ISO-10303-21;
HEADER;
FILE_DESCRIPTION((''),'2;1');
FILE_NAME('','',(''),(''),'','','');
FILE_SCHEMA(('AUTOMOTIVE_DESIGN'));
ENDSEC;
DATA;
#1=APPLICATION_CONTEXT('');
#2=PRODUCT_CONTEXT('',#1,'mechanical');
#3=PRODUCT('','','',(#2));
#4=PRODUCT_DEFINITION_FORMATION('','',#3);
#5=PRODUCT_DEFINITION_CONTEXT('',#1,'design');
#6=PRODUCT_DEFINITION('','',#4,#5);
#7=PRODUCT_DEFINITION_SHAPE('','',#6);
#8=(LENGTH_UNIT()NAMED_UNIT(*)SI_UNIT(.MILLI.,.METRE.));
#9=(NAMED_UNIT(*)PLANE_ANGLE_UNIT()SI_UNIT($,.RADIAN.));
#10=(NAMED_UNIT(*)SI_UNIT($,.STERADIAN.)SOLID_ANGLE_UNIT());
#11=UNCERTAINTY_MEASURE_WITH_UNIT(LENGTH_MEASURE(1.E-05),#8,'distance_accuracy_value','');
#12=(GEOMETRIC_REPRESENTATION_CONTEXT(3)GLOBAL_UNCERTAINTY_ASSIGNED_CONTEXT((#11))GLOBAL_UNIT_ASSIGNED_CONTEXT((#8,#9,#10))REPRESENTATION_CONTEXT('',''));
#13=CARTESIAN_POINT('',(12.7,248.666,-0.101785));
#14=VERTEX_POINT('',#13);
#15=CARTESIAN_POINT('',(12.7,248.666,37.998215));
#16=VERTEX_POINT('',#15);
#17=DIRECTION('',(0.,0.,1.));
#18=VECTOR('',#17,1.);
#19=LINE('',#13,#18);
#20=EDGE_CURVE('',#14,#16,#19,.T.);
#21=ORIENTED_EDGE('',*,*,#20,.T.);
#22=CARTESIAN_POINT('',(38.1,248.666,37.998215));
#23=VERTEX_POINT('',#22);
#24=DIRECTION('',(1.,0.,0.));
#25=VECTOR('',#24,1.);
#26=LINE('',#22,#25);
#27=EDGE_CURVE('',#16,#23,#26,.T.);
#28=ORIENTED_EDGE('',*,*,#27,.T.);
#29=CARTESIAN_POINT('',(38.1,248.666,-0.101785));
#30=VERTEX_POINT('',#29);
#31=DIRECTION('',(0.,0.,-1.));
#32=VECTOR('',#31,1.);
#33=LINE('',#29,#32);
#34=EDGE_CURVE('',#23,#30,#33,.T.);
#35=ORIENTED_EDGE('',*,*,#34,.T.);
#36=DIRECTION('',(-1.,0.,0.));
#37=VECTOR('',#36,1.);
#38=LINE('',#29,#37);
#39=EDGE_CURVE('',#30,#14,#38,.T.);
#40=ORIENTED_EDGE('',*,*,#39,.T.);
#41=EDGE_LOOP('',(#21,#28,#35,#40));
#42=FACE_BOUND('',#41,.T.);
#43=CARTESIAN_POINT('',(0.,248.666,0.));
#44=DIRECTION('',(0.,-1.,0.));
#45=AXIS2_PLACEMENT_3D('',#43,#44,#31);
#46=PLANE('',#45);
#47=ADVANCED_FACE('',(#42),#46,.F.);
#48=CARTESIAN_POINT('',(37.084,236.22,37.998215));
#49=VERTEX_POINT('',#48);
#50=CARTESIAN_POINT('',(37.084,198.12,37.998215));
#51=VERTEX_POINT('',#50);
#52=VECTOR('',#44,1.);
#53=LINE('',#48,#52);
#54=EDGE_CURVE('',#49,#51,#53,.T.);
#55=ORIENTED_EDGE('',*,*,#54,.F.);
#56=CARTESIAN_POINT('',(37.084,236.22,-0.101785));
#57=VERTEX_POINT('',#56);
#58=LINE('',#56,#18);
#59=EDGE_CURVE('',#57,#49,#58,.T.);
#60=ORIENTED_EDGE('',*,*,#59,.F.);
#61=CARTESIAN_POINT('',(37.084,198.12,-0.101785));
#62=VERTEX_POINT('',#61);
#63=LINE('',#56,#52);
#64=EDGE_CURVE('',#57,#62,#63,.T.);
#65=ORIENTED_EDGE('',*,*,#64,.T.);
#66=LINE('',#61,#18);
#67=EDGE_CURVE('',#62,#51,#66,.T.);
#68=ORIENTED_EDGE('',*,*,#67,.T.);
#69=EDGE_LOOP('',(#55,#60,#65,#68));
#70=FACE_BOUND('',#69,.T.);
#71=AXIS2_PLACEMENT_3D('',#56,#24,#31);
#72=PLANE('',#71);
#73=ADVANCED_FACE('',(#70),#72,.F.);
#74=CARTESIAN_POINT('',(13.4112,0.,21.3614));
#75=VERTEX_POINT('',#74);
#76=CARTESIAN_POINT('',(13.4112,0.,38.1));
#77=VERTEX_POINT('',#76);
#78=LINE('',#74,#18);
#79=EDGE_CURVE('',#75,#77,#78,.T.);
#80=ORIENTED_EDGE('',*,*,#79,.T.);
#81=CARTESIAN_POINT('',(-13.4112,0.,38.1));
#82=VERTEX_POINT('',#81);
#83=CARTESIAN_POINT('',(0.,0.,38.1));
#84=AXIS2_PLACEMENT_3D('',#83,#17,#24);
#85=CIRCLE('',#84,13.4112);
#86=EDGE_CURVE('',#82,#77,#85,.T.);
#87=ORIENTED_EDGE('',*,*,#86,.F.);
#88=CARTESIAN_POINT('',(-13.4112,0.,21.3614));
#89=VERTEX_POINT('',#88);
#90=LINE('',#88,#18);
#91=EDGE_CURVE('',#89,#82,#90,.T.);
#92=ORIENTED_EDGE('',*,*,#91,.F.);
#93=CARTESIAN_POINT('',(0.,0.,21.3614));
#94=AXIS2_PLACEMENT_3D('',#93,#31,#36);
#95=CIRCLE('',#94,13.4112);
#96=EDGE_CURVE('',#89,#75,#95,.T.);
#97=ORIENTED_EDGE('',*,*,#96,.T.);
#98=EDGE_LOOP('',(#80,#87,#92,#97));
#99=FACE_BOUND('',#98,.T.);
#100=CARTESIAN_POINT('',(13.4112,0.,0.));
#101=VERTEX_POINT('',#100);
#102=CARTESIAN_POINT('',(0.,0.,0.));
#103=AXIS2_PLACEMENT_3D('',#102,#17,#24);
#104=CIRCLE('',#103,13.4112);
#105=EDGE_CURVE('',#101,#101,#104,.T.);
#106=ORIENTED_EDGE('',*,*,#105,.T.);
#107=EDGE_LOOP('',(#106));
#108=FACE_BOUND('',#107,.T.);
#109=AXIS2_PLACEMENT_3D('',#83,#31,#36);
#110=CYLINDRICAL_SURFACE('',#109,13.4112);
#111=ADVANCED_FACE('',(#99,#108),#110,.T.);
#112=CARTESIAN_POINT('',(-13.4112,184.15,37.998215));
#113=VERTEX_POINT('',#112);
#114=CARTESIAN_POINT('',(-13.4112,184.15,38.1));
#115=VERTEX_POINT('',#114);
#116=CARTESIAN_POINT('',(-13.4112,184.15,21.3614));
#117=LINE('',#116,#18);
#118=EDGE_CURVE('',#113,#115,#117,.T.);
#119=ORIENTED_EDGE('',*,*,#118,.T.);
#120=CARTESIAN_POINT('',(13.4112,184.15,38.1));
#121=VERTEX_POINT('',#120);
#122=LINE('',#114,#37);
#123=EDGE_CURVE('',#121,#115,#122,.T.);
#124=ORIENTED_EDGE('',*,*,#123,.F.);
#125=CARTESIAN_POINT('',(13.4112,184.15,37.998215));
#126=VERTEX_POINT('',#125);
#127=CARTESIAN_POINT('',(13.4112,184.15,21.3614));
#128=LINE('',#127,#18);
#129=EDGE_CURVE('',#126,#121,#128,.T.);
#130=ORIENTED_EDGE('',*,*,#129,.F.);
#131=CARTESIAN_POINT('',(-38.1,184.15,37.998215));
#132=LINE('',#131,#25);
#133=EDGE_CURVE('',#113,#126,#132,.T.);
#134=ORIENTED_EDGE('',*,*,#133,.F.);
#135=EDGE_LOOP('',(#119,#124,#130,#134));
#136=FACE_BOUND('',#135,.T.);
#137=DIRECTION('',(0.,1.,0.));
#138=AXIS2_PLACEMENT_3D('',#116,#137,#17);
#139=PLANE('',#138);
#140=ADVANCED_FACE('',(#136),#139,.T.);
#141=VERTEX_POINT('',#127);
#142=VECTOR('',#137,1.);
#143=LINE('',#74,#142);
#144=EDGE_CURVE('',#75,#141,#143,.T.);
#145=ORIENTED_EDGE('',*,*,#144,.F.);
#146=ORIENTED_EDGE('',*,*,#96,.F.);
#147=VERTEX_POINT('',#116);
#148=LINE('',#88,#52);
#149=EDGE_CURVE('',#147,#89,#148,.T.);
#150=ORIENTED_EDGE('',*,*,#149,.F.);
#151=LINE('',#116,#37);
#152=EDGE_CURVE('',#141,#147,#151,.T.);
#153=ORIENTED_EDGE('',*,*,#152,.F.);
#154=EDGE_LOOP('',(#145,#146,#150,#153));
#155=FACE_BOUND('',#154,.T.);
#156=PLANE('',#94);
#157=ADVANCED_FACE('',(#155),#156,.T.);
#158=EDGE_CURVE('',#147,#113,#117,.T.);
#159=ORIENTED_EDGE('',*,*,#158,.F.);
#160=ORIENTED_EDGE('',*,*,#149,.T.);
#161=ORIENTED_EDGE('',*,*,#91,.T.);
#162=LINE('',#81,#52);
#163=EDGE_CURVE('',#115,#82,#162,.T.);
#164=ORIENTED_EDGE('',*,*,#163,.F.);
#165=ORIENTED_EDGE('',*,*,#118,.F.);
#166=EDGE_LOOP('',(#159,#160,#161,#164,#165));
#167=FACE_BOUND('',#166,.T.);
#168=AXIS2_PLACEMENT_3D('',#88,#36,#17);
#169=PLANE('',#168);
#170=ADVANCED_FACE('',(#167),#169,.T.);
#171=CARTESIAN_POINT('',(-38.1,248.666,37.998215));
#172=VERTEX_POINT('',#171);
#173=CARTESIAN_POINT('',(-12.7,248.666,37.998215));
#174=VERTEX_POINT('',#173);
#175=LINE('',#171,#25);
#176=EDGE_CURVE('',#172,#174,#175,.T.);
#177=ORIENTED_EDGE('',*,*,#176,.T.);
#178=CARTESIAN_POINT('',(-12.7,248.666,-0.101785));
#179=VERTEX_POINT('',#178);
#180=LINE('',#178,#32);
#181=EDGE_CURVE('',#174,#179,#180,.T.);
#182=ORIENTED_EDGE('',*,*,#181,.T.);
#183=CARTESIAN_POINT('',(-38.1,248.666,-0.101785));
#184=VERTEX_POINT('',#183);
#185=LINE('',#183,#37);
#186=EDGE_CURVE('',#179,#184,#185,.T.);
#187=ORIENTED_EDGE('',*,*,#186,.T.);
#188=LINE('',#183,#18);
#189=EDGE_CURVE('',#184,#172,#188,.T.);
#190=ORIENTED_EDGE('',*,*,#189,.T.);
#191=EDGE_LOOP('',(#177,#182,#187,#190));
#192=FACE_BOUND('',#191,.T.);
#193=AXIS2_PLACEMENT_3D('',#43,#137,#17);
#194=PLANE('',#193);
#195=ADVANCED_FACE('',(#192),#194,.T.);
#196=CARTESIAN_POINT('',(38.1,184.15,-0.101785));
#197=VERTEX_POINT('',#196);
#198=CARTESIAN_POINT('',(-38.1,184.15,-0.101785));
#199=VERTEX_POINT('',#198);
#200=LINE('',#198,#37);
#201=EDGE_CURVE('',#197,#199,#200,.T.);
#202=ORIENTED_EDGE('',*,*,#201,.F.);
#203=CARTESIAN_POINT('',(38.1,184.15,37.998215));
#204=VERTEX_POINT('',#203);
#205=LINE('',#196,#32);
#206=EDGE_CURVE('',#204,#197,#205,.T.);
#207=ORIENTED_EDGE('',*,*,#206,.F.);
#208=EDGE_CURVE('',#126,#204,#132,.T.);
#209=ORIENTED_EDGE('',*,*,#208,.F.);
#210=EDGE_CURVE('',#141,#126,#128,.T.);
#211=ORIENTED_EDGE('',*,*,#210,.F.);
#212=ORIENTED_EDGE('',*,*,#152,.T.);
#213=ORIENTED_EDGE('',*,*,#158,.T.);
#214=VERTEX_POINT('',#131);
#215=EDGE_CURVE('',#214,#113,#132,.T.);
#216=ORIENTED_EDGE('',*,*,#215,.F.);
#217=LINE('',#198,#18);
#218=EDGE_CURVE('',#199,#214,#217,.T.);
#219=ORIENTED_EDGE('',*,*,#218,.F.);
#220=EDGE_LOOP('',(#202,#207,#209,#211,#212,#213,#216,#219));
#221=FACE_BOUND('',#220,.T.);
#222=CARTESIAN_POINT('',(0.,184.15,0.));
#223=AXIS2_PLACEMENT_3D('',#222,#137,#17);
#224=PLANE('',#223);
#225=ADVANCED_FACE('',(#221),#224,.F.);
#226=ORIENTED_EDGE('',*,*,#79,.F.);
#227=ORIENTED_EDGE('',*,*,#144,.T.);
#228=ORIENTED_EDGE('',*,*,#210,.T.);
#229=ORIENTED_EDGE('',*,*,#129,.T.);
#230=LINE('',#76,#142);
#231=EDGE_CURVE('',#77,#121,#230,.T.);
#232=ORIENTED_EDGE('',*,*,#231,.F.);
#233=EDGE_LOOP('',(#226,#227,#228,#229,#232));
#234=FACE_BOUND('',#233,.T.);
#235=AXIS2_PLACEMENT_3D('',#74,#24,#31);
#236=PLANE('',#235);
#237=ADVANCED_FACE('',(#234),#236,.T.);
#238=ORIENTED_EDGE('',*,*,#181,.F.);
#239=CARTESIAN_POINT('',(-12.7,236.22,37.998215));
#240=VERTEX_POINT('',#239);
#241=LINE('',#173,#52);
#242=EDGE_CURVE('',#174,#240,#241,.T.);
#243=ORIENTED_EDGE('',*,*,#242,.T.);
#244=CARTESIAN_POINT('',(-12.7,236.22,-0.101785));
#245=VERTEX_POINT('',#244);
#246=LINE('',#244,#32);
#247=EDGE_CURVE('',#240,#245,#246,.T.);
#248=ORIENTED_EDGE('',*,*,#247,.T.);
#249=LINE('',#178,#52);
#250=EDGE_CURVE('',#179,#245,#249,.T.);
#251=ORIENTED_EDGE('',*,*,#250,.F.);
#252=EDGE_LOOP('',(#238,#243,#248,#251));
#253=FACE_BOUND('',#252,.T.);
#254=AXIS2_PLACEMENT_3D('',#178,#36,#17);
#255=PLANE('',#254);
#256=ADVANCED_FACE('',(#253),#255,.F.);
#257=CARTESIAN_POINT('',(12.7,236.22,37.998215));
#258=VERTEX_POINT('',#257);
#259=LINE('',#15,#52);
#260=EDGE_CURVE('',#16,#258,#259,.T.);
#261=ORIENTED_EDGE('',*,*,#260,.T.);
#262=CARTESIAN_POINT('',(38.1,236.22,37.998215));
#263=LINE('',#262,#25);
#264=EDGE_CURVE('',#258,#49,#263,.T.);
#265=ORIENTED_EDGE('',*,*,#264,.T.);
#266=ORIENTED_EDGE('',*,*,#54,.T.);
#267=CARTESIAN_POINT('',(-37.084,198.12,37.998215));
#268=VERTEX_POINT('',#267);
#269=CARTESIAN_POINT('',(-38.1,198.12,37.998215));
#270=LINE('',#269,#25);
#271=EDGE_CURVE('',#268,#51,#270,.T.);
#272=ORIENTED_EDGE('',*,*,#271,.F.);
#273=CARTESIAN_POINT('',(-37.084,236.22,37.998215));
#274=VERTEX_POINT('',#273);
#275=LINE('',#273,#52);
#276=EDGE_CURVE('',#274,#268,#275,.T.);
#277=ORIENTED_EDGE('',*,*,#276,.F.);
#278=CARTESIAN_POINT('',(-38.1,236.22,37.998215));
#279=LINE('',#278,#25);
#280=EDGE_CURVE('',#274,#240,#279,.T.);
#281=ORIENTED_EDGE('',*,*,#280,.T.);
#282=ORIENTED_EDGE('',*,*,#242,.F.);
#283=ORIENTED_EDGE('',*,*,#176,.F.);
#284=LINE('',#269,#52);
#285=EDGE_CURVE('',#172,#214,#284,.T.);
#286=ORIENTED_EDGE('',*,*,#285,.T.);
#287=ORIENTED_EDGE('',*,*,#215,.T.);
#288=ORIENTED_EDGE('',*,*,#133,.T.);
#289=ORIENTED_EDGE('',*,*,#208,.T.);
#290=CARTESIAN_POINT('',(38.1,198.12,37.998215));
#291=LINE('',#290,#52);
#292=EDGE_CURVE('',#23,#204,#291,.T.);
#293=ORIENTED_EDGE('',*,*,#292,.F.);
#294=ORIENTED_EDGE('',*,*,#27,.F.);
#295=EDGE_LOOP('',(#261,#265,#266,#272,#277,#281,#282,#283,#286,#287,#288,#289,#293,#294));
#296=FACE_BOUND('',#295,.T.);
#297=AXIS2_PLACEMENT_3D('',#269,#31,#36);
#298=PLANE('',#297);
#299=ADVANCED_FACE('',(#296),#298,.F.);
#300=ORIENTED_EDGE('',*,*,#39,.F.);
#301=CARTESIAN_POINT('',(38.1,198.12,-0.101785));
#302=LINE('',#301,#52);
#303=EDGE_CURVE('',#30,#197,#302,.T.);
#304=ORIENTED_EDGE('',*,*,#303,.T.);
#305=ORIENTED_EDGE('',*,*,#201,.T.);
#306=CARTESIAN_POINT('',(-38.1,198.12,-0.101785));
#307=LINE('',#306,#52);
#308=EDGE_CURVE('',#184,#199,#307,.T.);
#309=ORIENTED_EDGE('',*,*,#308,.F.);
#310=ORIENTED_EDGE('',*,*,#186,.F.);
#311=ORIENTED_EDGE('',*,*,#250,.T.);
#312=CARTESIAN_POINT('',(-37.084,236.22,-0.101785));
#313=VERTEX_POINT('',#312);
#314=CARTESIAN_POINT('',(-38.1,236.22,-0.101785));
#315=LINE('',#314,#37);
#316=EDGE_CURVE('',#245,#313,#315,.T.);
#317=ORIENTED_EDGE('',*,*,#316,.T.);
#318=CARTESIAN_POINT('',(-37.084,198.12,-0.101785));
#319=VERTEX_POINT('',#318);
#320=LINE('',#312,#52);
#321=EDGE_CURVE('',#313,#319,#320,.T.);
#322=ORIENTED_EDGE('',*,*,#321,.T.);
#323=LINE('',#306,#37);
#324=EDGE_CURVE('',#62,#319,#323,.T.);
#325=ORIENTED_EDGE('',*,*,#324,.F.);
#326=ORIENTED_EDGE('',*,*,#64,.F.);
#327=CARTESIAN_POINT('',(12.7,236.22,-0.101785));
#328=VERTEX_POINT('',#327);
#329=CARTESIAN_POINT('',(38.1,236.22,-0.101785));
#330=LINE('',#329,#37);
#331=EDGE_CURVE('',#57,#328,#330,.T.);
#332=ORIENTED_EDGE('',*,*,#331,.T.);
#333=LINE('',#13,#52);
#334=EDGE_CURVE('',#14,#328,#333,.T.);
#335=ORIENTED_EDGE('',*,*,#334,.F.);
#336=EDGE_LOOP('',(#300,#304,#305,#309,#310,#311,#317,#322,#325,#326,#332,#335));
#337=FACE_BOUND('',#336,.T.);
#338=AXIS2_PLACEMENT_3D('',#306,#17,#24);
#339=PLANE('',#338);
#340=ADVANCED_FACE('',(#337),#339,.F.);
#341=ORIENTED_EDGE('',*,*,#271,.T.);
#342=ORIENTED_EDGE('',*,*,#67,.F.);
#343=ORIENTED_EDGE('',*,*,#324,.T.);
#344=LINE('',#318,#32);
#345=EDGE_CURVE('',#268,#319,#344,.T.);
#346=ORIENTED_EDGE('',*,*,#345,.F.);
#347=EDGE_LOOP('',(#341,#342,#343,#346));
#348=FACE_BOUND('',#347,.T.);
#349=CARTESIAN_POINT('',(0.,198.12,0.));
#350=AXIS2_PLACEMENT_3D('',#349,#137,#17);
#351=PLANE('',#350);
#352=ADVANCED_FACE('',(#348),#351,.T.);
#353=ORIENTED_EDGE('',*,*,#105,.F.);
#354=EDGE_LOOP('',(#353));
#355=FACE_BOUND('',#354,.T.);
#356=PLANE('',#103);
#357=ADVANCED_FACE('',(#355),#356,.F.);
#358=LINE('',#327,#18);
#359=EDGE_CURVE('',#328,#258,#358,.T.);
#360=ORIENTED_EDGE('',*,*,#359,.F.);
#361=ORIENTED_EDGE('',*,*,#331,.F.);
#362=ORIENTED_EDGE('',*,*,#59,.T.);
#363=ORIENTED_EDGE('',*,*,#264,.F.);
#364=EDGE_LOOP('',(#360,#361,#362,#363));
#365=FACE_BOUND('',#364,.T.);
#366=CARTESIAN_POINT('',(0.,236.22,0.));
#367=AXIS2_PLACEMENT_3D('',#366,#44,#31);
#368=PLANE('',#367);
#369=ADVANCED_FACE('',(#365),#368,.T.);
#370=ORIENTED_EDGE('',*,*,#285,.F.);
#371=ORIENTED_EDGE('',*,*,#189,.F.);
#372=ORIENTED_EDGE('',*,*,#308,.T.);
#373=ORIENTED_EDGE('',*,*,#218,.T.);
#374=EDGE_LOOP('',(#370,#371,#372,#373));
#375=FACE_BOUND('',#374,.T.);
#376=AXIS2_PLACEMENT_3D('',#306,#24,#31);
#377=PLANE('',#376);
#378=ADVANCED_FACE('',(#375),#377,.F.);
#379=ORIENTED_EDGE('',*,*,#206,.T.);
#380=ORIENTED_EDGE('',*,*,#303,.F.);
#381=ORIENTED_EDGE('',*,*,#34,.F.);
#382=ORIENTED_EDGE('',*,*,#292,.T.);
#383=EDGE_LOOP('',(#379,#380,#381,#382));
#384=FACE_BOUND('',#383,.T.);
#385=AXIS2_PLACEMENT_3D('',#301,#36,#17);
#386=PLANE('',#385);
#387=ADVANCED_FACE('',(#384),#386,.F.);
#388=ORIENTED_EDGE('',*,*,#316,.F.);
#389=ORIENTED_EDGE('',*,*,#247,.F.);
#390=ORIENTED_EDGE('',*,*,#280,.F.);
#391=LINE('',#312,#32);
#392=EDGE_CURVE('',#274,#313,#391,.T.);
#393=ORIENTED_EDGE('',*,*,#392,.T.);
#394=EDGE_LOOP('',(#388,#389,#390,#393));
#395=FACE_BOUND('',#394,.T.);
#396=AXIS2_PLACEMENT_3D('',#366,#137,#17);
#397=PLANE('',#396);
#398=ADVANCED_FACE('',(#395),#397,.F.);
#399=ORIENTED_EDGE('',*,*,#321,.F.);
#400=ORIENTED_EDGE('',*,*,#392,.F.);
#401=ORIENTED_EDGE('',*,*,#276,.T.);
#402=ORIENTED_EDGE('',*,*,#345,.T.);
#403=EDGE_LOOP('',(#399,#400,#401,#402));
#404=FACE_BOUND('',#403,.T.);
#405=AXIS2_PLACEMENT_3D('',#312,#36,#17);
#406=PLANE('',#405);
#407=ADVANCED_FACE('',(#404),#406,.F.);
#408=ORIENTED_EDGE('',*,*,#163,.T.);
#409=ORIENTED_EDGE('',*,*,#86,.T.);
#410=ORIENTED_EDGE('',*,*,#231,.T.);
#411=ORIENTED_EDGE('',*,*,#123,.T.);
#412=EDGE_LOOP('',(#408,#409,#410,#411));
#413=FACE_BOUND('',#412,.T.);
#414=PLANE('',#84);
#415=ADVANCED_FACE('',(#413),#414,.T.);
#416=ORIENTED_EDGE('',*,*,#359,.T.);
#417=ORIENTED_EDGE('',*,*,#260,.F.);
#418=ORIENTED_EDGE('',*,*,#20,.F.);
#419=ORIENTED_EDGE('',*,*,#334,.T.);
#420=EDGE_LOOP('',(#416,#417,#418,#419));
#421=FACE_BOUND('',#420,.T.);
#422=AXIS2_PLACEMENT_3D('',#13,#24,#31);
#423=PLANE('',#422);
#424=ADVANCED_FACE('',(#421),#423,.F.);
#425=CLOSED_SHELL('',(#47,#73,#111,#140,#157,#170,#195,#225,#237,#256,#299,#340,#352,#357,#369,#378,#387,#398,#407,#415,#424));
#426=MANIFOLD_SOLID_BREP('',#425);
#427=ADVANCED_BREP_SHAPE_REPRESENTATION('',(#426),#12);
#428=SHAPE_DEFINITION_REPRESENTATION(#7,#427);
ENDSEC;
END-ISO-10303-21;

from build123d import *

# Parameters (mm, degrees)
SKETCH2_R           = 13.4112
BOSS_EXTRUDE1_DEPTH = 38.1
SKETCH5_W           = 26.8224
SKETCH5_H           = 184.15
BOSS_EXTRUDE2_DEPTH = 16.7386
SKETCH8_W           = 76.2
SKETCH8_H           = 38.1
BOSS_EXTRUDE3_DEPTH = 13.97
SKETCH9_W           = 1.016
SKETCH9_H           = 38.1
BOSS_EXTRUDE4_DEPTH = 38.1
SKETCH10_W          = 25.4
SKETCH10_H          = 38.1
BOSS_EXTRUDE5_DEPTH = 12.446


with BuildPart() as part:
    # Sketch2 → Boss-Extrude1 (new body)
    with BuildSketch(Plane.XY):
        with Locations(Location((0, 0, 0), (0, 0, 180))):
            Circle(SKETCH2_R)
    extrude(amount=BOSS_EXTRUDE1_DEPTH)

    # Sketch5 → Boss-Extrude2 (add)
    with BuildSketch(Plane.XY.offset(38.1)):
        with Locations((0, 92.075)):
            Rectangle(SKETCH5_W, SKETCH5_H)
    extrude(amount=-BOSS_EXTRUDE2_DEPTH)

    # Sketch8 → Boss-Extrude3 (add)
    with BuildSketch(Plane(origin=(0, 184.15, 0), x_dir=(1, 0, 0), z_dir=(0, 1, 0))):
        with Locations((0, -18.948214994)):
            Rectangle(SKETCH8_W, SKETCH8_H)
    extrude(amount=BOSS_EXTRUDE3_DEPTH)

    # Sketch9 → Boss-Extrude4 (add)
    with BuildSketch(Plane(origin=(0, 198.12, 0), x_dir=(1, 0, 0), z_dir=(0, 1, 0))):
        with Locations((-37.592, -18.948214994)):
            Rectangle(SKETCH9_W, SKETCH9_H)
        with Locations((37.592, -18.948214994)):
            Rectangle(SKETCH9_W, SKETCH9_H)
    extrude(amount=BOSS_EXTRUDE4_DEPTH)

    # Sketch10 → Boss-Extrude5 (add)
    with BuildSketch(Plane(origin=(0, 236.22, 0), x_dir=(1, 0, 0), z_dir=(0, 1, 0))):
        with Locations((-25.4, -18.948214994)):
            Rectangle(SKETCH10_W, SKETCH10_H)
        with Locations((25.4, -18.948214994)):
            Rectangle(SKETCH10_W, SKETCH10_H)
    extrude(amount=BOSS_EXTRUDE5_DEPTH)


solid = part.part
